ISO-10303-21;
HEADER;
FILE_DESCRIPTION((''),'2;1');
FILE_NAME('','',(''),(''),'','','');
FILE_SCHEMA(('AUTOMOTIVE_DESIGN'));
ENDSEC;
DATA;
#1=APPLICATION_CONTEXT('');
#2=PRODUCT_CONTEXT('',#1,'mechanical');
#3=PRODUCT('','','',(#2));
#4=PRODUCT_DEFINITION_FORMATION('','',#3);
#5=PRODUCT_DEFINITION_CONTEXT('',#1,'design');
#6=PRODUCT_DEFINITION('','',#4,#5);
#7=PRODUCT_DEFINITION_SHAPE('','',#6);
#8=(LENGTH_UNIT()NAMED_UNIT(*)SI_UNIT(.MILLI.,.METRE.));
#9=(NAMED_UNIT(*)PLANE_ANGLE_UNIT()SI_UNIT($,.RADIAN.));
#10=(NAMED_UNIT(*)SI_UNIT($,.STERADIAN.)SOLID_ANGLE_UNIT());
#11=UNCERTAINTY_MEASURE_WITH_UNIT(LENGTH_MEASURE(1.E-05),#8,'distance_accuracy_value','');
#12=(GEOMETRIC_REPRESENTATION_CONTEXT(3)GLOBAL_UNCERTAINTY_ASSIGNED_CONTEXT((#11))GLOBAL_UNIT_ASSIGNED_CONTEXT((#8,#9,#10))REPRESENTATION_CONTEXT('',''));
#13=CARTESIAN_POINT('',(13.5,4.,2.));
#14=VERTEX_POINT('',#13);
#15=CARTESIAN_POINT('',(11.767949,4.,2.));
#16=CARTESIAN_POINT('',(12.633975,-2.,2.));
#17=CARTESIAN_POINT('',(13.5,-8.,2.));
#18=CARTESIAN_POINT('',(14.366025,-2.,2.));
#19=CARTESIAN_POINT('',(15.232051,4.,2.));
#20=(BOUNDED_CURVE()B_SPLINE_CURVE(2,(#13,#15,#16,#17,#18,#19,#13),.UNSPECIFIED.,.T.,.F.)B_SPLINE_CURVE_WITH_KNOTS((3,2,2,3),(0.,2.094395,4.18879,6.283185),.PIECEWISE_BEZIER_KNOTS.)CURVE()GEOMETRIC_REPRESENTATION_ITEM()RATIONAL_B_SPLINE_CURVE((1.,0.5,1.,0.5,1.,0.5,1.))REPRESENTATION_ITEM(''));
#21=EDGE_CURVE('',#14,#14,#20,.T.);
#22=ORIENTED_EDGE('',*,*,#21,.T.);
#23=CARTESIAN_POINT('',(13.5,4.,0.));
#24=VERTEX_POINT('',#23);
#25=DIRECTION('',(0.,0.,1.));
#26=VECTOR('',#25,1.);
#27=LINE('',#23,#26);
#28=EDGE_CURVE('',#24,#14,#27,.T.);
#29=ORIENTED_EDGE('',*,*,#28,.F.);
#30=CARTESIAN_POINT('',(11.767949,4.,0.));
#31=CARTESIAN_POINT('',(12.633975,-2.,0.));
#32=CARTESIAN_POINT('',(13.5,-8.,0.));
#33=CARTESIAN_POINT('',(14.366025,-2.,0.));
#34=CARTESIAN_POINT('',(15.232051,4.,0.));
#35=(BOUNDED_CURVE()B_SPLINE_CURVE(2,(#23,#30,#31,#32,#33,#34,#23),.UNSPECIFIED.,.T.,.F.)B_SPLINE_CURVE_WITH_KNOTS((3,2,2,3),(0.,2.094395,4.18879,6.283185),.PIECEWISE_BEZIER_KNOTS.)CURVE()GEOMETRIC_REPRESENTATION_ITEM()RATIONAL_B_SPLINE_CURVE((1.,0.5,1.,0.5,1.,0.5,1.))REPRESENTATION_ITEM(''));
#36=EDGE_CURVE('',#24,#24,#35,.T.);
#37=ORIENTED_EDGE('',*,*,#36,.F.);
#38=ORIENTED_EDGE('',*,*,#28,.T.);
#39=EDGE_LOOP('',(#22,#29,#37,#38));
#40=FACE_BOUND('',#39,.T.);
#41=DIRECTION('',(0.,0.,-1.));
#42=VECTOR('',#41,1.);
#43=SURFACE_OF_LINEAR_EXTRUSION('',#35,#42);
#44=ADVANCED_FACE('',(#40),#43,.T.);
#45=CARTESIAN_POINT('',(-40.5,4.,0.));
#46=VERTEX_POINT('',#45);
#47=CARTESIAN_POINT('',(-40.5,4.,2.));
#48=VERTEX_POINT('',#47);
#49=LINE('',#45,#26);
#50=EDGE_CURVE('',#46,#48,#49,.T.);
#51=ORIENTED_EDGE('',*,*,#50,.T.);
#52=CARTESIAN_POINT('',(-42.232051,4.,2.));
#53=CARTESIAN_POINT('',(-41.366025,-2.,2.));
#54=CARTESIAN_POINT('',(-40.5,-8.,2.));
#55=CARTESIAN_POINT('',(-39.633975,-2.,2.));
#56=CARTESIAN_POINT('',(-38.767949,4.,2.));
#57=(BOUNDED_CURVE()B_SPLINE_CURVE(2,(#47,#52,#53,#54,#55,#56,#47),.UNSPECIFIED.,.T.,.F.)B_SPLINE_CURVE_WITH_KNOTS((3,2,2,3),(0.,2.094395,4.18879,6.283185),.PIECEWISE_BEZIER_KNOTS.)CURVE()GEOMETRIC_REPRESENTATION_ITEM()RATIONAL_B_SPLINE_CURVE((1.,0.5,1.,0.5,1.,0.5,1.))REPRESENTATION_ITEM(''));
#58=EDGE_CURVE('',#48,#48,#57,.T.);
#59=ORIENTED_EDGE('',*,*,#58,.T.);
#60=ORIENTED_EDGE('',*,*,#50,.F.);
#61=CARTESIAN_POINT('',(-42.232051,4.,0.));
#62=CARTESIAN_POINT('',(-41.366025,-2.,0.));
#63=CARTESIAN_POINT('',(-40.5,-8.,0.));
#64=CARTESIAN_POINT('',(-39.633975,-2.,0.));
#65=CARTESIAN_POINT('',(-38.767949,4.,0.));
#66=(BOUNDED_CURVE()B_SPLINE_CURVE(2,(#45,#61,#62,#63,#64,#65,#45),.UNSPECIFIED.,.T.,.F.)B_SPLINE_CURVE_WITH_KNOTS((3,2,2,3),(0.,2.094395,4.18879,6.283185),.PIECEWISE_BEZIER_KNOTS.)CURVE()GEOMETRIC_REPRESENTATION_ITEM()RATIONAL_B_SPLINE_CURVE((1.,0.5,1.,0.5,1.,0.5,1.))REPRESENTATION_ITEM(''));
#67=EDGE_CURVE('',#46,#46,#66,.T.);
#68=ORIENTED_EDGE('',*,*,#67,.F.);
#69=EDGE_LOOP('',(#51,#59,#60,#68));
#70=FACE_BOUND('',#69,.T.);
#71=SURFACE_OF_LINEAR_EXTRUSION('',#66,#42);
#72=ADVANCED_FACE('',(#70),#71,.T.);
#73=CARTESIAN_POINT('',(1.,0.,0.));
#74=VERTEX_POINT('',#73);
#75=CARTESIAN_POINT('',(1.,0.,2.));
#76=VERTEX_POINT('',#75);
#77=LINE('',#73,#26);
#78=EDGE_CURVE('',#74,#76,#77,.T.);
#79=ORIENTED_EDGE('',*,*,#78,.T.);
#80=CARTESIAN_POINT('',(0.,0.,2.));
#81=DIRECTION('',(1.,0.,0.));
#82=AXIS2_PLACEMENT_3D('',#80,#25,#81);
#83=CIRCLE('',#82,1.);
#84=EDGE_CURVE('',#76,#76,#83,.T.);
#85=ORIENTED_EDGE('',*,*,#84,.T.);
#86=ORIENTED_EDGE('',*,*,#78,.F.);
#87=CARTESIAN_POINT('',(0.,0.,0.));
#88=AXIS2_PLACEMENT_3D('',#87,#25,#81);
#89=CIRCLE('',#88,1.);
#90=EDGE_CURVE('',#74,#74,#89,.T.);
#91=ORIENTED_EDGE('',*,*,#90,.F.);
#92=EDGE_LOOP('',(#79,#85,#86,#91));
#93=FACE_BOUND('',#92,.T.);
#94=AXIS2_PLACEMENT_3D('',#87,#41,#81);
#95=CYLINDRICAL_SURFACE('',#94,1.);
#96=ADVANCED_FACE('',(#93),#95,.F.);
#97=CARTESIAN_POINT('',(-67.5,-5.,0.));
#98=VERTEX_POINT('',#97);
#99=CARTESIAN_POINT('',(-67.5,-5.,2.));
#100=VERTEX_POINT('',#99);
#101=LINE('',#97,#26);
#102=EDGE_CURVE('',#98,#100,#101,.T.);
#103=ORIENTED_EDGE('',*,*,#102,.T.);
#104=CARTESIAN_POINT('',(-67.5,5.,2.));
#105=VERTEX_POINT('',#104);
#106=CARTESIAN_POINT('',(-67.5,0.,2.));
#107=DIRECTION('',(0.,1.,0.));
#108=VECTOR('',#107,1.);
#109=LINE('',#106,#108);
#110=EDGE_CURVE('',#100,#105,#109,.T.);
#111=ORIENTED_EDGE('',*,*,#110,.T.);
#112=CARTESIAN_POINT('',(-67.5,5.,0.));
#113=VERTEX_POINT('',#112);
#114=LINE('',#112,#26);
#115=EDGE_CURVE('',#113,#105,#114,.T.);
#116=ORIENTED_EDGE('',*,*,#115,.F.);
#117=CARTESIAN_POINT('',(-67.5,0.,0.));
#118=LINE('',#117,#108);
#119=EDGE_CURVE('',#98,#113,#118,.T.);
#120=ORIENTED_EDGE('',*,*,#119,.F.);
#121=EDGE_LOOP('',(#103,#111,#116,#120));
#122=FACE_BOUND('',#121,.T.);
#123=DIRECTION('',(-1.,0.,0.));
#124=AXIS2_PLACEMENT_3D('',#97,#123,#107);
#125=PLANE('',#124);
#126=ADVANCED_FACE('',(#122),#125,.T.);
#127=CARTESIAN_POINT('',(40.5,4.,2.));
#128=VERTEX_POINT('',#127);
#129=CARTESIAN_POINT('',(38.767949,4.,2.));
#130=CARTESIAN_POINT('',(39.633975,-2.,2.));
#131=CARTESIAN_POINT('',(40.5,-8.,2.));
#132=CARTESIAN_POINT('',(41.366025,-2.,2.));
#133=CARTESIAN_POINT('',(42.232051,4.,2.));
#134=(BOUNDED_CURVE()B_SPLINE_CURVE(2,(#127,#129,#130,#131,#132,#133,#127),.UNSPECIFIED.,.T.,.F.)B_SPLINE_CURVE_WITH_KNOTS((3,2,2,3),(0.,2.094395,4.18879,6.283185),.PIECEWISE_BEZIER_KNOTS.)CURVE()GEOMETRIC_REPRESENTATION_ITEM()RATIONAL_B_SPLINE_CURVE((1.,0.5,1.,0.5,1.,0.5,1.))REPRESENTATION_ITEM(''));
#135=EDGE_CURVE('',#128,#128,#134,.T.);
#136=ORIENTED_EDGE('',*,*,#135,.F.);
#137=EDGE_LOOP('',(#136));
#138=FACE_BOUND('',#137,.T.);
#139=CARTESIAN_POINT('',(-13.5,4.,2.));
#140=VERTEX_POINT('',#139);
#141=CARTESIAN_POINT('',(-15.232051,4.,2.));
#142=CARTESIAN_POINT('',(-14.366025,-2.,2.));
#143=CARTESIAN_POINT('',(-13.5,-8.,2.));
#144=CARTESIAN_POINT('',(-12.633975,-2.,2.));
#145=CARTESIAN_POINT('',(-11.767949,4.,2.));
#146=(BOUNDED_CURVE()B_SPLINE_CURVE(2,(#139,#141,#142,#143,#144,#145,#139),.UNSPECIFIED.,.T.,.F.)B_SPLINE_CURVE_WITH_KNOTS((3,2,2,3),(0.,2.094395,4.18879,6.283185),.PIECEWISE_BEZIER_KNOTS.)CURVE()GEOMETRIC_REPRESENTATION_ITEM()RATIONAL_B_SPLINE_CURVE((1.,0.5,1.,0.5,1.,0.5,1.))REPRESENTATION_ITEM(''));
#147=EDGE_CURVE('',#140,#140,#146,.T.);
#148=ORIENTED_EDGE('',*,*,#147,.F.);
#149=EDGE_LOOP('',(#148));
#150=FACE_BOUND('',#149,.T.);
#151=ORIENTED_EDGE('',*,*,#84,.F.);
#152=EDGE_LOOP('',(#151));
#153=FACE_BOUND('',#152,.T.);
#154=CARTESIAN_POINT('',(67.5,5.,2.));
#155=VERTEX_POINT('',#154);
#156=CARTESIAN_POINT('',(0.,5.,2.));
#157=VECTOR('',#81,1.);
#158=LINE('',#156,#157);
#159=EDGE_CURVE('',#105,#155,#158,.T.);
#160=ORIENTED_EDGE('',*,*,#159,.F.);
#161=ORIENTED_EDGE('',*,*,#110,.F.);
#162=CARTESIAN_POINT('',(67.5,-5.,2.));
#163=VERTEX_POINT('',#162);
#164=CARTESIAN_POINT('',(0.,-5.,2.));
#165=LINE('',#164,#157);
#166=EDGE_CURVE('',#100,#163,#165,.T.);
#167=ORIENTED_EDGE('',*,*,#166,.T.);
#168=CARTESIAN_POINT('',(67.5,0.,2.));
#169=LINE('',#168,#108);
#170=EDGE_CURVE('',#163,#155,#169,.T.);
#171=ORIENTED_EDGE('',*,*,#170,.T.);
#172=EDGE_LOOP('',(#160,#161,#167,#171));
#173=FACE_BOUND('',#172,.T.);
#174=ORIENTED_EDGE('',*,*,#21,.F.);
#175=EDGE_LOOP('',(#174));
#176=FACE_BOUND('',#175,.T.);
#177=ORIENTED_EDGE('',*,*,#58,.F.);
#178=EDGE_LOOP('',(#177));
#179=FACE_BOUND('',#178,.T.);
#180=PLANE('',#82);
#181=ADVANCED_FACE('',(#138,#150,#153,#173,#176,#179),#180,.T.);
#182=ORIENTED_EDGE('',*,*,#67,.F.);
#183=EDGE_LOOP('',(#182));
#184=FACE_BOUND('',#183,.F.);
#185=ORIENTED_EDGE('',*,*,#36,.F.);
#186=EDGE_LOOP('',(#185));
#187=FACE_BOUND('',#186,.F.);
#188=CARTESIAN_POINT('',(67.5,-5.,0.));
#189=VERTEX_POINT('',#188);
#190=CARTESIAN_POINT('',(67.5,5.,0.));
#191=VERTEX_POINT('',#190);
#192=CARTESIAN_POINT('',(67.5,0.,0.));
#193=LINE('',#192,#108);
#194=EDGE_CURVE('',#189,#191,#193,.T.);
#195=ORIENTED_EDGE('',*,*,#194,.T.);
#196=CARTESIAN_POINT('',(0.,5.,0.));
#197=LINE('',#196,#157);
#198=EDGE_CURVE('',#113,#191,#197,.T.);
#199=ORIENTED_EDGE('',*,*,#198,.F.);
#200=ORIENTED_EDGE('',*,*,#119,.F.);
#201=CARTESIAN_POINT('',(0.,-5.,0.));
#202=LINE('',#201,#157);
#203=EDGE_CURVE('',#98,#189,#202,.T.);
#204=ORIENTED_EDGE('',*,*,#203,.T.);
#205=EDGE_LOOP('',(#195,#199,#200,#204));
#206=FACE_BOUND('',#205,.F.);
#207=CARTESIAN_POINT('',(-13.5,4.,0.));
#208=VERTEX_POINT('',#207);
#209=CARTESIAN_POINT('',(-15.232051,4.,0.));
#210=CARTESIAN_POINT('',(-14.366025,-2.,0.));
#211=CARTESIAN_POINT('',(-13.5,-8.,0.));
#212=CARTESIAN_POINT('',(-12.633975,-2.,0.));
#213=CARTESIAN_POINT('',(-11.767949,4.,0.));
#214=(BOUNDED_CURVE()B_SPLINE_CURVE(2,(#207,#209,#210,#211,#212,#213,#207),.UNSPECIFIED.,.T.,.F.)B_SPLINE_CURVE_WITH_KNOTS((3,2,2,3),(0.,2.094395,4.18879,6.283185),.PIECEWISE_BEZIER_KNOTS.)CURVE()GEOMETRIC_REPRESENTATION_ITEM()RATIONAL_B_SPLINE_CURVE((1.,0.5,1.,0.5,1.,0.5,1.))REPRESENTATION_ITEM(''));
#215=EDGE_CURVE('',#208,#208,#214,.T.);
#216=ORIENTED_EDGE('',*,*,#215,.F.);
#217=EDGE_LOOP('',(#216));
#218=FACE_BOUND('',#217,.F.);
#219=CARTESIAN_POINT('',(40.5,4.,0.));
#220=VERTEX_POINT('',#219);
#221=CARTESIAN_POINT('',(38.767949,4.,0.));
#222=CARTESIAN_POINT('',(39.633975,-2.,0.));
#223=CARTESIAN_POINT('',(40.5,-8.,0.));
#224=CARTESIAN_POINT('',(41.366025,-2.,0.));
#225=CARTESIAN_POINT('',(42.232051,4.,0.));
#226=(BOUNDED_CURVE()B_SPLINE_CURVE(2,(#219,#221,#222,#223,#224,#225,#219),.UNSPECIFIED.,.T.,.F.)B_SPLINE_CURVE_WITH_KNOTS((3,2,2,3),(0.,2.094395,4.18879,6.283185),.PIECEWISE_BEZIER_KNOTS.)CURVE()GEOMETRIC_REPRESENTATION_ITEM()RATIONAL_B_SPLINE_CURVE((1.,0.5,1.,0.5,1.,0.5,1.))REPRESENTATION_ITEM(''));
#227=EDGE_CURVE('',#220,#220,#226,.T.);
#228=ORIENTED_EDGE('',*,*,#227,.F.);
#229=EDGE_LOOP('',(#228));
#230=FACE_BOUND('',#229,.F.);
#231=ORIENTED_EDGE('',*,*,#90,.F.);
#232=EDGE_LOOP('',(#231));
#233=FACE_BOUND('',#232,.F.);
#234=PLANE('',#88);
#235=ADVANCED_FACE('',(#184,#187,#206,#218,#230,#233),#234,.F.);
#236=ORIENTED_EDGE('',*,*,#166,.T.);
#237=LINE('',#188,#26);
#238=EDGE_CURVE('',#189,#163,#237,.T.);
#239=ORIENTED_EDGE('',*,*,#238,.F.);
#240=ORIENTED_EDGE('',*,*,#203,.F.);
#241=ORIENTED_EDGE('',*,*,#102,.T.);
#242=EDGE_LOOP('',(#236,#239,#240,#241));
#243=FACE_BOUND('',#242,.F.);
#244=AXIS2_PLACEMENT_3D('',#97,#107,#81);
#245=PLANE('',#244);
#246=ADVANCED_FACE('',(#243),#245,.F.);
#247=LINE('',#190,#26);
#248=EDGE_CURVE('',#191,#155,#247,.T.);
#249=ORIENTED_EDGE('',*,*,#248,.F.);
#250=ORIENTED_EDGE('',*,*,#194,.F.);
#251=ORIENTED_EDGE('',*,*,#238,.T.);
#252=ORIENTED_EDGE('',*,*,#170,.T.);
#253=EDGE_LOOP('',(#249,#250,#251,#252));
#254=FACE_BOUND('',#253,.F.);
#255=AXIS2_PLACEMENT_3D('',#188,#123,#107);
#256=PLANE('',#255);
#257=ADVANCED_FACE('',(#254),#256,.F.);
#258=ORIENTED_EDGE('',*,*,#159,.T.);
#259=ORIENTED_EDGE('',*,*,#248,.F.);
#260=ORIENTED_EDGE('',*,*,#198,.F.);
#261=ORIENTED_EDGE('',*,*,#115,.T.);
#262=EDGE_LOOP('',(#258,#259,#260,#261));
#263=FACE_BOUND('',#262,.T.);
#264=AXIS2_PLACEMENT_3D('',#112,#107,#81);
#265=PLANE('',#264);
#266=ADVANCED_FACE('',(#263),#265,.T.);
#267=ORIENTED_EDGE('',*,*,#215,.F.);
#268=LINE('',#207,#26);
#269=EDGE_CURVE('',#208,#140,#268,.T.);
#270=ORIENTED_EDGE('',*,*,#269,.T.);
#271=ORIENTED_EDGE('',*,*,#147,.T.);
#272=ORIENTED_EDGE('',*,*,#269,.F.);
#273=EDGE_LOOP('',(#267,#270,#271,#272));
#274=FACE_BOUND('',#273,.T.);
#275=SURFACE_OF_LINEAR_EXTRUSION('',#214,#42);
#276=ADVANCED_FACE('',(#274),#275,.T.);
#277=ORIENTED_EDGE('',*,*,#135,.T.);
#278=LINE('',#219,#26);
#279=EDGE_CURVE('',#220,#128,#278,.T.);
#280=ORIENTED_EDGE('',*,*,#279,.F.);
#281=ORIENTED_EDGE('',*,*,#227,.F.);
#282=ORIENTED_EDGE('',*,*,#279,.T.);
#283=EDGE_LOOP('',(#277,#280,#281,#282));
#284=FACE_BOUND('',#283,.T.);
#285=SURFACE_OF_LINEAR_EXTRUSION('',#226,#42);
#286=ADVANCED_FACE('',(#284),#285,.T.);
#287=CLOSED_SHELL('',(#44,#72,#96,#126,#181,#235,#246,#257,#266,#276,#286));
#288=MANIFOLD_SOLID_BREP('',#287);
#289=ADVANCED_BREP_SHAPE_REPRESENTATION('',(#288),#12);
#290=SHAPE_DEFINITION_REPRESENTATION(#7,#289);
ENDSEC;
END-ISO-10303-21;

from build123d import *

# Parameters (mm, degrees)
F0_W     = 135
F0_H     = 10
F0_R     = 1
F1_DEPTH = 2


with BuildPart() as f1:
    # F0 (on Top) → F1 (new body)
    with BuildSketch(Plane.XY):
        Rectangle(F0_W, F0_H)
        with BuildLine():
            add(Edge.make_bspline(
                [(-40.5, 4), (-42.232051, 4), (-41.366025, -2), (-40.5, -8), (-39.633975, -2), (-38.767949, 4), (-40.5, 4)],
                knots=[0, 0, 0, 2.094395, 2.094395, 4.18879, 4.18879, 6.283185, 6.283185, 6.283185], degree=2, weights=[1, 0.5, 1, 0.5, 1, 0.5, 1]))
        make_face(mode=Mode.SUBTRACT)
        with BuildLine():
            add(Edge.make_bspline(
                [(-13.5, 4), (-15.232051, 4), (-14.366025, -2), (-13.5, -8), (-12.633975, -2), (-11.767949, 4), (-13.5, 4)],
                knots=[0, 0, 0, 2.094395, 2.094395, 4.18879, 4.18879, 6.283185, 6.283185, 6.283185], degree=2, weights=[1, 0.5, 1, 0.5, 1, 0.5, 1]))
        make_face(mode=Mode.SUBTRACT)
        Circle(F0_R, mode=Mode.SUBTRACT)
        with BuildLine():
            add(Edge.make_bspline(
                [(13.5, 4), (11.767949, 4), (12.633975, -2), (13.5, -8), (14.366025, -2), (15.232051, 4), (13.5, 4)],
                knots=[0, 0, 0, 2.094395, 2.094395, 4.18879, 4.18879, 6.283185, 6.283185, 6.283185], degree=2, weights=[1, 0.5, 1, 0.5, 1, 0.5, 1]))
        make_face(mode=Mode.SUBTRACT)
        with BuildLine():
            add(Edge.make_bspline(
                [(40.5, 4), (38.767949, 4), (39.633975, -2), (40.5, -8), (41.366025, -2), (42.232051, 4), (40.5, 4)],
                knots=[0, 0, 0, 2.094395, 2.094395, 4.18879, 4.18879, 6.283185, 6.283185, 6.283185], degree=2, weights=[1, 0.5, 1, 0.5, 1, 0.5, 1]))
        make_face(mode=Mode.SUBTRACT)
    extrude(amount=F1_DEPTH)


solid = f1.part
